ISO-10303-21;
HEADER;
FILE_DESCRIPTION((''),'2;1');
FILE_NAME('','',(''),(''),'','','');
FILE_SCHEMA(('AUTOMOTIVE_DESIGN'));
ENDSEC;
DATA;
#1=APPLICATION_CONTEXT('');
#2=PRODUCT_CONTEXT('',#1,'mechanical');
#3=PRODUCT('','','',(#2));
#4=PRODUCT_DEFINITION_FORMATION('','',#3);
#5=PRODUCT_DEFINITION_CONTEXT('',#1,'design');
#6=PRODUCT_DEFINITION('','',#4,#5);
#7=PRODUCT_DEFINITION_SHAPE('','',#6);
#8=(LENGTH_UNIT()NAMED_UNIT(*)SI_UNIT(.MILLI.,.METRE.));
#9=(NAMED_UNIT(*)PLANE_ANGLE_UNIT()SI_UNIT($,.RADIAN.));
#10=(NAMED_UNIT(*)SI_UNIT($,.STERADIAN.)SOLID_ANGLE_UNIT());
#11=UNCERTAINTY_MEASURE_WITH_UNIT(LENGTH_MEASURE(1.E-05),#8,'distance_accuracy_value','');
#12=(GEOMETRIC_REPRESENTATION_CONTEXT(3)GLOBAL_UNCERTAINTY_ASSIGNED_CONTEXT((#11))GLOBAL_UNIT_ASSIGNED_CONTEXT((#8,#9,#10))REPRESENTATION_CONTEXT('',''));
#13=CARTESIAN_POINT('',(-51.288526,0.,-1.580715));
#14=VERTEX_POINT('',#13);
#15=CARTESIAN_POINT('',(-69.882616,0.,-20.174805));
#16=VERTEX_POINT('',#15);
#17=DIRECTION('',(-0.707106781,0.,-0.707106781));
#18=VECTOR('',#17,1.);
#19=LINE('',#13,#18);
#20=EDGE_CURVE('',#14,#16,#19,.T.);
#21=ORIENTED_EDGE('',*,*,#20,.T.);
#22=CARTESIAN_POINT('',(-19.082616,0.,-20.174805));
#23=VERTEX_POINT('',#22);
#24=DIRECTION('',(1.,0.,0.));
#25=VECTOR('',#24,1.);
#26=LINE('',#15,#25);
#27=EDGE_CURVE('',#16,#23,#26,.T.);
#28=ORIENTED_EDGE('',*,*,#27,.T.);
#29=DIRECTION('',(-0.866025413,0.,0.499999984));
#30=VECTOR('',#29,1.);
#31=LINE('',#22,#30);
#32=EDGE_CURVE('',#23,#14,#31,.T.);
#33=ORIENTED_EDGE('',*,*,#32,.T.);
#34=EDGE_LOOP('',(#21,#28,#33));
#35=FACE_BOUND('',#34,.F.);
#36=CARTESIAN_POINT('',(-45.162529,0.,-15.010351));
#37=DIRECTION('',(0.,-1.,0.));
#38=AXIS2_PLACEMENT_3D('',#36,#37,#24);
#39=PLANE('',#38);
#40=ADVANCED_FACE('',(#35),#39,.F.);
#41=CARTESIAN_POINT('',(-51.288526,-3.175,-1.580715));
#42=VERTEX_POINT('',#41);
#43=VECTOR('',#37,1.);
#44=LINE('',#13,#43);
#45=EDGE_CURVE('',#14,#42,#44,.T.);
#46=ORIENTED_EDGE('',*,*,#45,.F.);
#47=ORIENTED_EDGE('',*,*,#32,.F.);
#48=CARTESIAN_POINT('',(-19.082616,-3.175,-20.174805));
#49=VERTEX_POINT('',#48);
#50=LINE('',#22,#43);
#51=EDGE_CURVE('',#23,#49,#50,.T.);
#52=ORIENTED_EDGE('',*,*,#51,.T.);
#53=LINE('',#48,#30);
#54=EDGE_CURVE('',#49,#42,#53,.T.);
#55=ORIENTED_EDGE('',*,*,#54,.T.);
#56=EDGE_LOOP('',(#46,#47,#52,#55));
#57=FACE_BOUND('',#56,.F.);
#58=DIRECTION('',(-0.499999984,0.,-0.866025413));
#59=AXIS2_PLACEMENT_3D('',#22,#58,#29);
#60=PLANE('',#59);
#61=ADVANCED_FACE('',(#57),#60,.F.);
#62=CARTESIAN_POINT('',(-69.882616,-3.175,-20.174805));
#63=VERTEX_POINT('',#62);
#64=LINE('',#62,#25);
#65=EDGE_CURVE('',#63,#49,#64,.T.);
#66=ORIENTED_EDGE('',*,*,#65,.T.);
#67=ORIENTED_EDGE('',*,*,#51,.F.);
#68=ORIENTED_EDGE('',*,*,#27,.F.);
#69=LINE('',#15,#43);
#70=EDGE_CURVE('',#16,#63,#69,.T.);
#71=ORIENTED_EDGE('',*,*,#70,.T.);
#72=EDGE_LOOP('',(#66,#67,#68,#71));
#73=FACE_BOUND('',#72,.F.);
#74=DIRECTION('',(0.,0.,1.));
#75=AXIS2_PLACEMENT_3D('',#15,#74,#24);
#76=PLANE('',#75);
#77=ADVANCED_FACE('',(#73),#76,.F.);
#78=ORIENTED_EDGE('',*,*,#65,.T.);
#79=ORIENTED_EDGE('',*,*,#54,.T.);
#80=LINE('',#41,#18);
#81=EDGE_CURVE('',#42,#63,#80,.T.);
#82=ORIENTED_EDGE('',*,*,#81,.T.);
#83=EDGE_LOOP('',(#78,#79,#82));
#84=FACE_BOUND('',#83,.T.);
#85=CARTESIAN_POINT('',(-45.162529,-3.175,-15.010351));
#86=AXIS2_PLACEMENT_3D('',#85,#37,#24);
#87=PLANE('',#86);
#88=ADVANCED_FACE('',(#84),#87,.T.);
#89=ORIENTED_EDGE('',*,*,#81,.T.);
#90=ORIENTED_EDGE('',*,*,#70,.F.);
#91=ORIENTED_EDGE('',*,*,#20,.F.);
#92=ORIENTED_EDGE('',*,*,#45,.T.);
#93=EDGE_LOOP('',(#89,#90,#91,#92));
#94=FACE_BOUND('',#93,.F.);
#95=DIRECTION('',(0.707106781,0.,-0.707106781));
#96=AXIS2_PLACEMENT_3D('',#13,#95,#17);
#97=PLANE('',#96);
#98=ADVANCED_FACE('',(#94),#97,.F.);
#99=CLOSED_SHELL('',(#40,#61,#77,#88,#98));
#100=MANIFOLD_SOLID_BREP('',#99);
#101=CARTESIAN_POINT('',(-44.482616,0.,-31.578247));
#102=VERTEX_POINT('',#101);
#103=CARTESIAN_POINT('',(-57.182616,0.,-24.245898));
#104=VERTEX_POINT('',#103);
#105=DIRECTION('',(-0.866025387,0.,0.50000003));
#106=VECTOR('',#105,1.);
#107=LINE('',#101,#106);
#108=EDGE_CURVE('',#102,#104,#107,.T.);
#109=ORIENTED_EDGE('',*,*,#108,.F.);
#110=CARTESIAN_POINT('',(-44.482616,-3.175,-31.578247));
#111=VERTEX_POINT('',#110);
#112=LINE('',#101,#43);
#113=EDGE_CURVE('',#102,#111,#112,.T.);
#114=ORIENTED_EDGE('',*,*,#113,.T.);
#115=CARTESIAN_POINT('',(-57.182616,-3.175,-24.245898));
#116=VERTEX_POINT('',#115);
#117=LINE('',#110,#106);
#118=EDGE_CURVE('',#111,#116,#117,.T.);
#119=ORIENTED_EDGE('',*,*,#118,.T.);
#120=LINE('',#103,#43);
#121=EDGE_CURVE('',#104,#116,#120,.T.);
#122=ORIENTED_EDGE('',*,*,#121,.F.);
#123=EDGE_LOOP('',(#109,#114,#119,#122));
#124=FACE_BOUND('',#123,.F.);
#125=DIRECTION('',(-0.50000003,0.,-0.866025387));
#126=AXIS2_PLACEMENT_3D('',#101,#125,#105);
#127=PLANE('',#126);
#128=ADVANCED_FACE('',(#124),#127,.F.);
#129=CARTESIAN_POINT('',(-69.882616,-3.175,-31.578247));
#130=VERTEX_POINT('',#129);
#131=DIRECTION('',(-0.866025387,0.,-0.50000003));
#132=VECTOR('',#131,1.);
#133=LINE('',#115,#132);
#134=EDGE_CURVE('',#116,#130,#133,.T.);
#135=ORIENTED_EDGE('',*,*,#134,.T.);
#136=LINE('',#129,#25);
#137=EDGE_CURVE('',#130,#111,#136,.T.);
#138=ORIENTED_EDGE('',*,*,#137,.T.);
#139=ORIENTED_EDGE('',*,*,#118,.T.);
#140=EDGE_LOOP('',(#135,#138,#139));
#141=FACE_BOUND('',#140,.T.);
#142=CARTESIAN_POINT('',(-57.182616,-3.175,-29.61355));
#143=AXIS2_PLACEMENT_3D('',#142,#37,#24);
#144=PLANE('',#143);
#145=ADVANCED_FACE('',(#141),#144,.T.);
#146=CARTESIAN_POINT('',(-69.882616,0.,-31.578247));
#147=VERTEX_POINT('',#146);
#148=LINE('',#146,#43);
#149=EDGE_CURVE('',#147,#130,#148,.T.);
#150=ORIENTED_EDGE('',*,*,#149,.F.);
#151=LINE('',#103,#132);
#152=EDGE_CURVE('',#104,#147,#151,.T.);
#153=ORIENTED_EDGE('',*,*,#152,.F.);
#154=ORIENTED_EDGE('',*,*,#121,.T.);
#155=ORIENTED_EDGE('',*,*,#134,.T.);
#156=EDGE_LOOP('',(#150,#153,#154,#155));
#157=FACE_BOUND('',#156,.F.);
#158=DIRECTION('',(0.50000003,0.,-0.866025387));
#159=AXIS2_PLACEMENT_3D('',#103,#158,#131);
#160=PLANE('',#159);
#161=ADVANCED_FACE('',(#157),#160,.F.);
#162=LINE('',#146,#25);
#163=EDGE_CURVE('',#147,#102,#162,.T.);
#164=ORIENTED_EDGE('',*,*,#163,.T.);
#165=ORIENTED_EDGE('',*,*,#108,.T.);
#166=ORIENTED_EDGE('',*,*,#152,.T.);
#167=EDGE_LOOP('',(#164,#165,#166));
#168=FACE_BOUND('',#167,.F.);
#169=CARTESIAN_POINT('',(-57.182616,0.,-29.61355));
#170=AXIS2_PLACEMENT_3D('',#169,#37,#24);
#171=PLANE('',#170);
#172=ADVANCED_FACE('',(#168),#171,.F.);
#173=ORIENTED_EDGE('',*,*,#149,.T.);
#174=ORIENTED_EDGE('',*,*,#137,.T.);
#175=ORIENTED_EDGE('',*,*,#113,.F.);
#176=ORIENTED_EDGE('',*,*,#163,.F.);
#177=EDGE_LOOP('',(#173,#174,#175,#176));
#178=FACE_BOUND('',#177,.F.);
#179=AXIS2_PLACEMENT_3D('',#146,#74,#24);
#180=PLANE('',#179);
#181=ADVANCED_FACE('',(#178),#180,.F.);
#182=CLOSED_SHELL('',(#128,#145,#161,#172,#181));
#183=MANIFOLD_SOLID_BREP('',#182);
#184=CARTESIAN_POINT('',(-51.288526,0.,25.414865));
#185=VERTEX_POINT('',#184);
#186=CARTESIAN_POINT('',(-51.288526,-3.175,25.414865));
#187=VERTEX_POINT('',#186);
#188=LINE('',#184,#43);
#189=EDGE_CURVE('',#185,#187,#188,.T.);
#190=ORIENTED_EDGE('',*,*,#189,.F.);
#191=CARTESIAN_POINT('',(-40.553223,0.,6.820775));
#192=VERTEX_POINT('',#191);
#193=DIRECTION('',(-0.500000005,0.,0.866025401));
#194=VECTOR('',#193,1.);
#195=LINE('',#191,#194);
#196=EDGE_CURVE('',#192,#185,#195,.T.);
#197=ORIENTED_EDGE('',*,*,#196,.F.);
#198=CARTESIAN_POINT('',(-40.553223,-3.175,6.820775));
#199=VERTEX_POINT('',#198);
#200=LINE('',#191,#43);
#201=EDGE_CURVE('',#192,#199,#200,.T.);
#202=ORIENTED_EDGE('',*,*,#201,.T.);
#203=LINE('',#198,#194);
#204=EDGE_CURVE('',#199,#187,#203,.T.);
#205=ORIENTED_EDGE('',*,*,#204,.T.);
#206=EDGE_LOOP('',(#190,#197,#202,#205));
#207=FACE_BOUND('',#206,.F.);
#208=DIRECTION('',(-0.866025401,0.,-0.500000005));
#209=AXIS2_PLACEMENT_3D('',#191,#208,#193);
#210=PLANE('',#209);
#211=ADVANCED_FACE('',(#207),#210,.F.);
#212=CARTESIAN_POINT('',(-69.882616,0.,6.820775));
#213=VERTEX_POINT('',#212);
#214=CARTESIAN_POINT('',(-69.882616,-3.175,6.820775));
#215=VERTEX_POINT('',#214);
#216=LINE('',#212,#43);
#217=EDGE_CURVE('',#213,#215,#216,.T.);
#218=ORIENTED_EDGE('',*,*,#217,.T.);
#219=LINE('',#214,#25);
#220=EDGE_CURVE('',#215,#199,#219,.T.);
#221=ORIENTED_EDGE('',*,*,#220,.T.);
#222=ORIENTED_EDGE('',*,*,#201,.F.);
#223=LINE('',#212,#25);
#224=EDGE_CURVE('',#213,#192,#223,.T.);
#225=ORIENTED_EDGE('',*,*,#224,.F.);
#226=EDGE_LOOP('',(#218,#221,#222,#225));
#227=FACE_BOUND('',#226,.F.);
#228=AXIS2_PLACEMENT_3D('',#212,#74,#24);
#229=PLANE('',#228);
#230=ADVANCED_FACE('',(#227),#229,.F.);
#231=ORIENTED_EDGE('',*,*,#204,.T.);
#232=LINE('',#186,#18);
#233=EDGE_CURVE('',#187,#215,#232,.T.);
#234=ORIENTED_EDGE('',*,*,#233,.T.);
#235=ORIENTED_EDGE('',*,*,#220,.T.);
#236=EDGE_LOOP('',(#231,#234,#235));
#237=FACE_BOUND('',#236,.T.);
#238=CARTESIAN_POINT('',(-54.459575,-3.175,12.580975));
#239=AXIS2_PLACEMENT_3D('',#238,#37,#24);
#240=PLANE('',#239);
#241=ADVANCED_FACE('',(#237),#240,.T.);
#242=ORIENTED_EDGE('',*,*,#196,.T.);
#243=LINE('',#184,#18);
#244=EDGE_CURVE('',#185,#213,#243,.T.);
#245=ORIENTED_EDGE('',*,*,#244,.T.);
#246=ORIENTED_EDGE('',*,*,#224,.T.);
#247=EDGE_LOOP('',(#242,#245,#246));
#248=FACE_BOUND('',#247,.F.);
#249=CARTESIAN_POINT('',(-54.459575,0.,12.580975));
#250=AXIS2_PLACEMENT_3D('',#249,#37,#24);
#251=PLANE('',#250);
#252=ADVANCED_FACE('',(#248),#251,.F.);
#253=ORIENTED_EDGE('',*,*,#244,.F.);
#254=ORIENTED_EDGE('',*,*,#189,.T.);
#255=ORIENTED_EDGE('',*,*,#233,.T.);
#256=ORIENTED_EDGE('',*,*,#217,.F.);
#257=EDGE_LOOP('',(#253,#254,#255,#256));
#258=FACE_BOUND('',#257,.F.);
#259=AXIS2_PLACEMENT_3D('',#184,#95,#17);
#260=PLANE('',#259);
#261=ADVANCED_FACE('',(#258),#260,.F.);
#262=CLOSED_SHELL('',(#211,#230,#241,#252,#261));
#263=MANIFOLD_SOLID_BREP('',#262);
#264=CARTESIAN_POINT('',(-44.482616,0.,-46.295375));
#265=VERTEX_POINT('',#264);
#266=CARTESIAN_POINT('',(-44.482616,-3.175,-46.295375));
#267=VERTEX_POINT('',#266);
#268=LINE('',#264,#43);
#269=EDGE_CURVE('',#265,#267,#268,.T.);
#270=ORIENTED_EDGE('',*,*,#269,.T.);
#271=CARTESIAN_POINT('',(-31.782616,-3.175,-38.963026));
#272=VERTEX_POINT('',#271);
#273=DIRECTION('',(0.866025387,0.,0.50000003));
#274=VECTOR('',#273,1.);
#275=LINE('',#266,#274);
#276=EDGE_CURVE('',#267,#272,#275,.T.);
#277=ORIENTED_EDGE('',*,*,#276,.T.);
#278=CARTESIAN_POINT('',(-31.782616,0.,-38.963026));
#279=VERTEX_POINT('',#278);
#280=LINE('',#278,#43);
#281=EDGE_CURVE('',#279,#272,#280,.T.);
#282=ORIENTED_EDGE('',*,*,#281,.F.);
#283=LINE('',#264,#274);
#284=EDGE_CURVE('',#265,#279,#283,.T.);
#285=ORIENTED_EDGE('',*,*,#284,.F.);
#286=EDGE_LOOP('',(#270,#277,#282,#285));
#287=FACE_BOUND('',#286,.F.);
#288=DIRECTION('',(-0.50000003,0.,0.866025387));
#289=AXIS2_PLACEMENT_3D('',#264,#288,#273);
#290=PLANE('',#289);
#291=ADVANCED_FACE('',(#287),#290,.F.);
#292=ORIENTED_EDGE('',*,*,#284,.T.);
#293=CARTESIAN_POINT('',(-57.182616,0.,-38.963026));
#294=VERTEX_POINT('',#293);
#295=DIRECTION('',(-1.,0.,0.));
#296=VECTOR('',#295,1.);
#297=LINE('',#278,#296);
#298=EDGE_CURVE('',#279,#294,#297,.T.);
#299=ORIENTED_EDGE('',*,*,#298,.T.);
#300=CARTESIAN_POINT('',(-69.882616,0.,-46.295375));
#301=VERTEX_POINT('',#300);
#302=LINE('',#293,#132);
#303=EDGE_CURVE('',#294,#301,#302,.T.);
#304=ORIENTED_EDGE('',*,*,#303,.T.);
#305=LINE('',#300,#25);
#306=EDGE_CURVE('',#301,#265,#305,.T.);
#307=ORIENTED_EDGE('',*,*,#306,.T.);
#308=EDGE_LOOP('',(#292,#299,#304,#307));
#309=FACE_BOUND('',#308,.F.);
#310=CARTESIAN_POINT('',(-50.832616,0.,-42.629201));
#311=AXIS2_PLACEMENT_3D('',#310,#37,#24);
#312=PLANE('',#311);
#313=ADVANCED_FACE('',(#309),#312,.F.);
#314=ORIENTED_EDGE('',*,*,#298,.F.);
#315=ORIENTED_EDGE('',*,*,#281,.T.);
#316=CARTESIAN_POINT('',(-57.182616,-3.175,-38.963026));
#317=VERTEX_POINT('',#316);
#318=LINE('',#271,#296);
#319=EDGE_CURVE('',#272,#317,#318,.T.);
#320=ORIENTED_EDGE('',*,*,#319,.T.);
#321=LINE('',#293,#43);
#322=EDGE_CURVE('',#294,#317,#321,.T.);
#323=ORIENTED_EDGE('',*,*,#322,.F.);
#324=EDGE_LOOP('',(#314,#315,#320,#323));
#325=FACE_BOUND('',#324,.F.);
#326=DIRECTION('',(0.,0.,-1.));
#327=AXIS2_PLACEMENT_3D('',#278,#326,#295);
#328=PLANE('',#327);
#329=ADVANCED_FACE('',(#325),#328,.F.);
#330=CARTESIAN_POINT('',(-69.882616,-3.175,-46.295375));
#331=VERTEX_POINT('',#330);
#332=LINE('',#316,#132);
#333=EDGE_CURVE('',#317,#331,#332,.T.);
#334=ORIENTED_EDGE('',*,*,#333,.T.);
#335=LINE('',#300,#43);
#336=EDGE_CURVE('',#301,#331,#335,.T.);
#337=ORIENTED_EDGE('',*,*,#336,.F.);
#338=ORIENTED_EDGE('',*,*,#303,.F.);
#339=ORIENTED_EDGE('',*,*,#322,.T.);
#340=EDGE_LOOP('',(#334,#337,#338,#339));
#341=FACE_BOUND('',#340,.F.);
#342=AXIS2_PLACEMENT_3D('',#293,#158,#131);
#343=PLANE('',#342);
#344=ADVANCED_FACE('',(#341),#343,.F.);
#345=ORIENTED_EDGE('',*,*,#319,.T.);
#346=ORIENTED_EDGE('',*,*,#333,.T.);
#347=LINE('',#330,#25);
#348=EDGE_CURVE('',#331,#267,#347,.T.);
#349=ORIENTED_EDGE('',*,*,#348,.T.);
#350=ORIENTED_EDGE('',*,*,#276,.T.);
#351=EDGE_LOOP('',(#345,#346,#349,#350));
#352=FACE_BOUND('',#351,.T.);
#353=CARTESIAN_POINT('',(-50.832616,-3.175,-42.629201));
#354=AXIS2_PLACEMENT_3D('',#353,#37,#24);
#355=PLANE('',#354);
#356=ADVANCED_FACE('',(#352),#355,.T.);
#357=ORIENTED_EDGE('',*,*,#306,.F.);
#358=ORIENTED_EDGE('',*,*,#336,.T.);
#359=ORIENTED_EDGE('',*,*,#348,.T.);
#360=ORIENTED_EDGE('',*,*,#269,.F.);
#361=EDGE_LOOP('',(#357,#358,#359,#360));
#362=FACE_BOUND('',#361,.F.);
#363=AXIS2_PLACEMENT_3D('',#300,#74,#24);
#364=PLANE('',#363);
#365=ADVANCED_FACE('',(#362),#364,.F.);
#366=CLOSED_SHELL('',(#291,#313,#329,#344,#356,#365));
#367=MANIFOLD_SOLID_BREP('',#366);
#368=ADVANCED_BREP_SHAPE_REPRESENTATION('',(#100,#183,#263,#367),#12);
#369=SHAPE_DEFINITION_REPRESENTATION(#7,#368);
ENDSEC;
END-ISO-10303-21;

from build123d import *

# Parameters (mm, degrees)
F1_DEPTH = 3.175
F2_DEPTH = 3.175
F3_DEPTH = 3.175
F4_DEPTH = 3.175


with BuildPart() as f1:
    # F0 (on Front) → F1 (new body)
    with BuildSketch(Plane.XZ):
        Polygon((-51.288526, -1.580715), (-69.882616, -20.174805), (-19.082616, -20.174805), align=None)
    extrude(amount=F1_DEPTH)


with BuildPart() as f2:
    # F0 (on Front) → F2 (new body)
    with BuildSketch(Plane.XZ):
        Polygon((-57.182616, -24.245898), (-69.882616, -31.578247), (-44.482616, -31.578247), align=None)
    extrude(amount=F2_DEPTH)


with BuildPart() as f3:
    # F0 (on Front) → F3 (new body)
    with BuildSketch(Plane.XZ):
        Polygon((-57.182616, -38.963026), (-69.882616, -46.295375), (-44.482616, -46.295375), (-31.782616, -38.963026), align=None)
    extrude(amount=F3_DEPTH)


with BuildPart() as f4:
    # F0 (on Front) → F4 (new body)
    with BuildSketch(Plane.XZ):
        Polygon((-51.288526, 25.414865), (-69.882616, 6.820775), (-40.553223, 6.820775), align=None)
    extrude(amount=F4_DEPTH)


solid = Compound([f1.part, f2.part, f3.part, f4.part])
